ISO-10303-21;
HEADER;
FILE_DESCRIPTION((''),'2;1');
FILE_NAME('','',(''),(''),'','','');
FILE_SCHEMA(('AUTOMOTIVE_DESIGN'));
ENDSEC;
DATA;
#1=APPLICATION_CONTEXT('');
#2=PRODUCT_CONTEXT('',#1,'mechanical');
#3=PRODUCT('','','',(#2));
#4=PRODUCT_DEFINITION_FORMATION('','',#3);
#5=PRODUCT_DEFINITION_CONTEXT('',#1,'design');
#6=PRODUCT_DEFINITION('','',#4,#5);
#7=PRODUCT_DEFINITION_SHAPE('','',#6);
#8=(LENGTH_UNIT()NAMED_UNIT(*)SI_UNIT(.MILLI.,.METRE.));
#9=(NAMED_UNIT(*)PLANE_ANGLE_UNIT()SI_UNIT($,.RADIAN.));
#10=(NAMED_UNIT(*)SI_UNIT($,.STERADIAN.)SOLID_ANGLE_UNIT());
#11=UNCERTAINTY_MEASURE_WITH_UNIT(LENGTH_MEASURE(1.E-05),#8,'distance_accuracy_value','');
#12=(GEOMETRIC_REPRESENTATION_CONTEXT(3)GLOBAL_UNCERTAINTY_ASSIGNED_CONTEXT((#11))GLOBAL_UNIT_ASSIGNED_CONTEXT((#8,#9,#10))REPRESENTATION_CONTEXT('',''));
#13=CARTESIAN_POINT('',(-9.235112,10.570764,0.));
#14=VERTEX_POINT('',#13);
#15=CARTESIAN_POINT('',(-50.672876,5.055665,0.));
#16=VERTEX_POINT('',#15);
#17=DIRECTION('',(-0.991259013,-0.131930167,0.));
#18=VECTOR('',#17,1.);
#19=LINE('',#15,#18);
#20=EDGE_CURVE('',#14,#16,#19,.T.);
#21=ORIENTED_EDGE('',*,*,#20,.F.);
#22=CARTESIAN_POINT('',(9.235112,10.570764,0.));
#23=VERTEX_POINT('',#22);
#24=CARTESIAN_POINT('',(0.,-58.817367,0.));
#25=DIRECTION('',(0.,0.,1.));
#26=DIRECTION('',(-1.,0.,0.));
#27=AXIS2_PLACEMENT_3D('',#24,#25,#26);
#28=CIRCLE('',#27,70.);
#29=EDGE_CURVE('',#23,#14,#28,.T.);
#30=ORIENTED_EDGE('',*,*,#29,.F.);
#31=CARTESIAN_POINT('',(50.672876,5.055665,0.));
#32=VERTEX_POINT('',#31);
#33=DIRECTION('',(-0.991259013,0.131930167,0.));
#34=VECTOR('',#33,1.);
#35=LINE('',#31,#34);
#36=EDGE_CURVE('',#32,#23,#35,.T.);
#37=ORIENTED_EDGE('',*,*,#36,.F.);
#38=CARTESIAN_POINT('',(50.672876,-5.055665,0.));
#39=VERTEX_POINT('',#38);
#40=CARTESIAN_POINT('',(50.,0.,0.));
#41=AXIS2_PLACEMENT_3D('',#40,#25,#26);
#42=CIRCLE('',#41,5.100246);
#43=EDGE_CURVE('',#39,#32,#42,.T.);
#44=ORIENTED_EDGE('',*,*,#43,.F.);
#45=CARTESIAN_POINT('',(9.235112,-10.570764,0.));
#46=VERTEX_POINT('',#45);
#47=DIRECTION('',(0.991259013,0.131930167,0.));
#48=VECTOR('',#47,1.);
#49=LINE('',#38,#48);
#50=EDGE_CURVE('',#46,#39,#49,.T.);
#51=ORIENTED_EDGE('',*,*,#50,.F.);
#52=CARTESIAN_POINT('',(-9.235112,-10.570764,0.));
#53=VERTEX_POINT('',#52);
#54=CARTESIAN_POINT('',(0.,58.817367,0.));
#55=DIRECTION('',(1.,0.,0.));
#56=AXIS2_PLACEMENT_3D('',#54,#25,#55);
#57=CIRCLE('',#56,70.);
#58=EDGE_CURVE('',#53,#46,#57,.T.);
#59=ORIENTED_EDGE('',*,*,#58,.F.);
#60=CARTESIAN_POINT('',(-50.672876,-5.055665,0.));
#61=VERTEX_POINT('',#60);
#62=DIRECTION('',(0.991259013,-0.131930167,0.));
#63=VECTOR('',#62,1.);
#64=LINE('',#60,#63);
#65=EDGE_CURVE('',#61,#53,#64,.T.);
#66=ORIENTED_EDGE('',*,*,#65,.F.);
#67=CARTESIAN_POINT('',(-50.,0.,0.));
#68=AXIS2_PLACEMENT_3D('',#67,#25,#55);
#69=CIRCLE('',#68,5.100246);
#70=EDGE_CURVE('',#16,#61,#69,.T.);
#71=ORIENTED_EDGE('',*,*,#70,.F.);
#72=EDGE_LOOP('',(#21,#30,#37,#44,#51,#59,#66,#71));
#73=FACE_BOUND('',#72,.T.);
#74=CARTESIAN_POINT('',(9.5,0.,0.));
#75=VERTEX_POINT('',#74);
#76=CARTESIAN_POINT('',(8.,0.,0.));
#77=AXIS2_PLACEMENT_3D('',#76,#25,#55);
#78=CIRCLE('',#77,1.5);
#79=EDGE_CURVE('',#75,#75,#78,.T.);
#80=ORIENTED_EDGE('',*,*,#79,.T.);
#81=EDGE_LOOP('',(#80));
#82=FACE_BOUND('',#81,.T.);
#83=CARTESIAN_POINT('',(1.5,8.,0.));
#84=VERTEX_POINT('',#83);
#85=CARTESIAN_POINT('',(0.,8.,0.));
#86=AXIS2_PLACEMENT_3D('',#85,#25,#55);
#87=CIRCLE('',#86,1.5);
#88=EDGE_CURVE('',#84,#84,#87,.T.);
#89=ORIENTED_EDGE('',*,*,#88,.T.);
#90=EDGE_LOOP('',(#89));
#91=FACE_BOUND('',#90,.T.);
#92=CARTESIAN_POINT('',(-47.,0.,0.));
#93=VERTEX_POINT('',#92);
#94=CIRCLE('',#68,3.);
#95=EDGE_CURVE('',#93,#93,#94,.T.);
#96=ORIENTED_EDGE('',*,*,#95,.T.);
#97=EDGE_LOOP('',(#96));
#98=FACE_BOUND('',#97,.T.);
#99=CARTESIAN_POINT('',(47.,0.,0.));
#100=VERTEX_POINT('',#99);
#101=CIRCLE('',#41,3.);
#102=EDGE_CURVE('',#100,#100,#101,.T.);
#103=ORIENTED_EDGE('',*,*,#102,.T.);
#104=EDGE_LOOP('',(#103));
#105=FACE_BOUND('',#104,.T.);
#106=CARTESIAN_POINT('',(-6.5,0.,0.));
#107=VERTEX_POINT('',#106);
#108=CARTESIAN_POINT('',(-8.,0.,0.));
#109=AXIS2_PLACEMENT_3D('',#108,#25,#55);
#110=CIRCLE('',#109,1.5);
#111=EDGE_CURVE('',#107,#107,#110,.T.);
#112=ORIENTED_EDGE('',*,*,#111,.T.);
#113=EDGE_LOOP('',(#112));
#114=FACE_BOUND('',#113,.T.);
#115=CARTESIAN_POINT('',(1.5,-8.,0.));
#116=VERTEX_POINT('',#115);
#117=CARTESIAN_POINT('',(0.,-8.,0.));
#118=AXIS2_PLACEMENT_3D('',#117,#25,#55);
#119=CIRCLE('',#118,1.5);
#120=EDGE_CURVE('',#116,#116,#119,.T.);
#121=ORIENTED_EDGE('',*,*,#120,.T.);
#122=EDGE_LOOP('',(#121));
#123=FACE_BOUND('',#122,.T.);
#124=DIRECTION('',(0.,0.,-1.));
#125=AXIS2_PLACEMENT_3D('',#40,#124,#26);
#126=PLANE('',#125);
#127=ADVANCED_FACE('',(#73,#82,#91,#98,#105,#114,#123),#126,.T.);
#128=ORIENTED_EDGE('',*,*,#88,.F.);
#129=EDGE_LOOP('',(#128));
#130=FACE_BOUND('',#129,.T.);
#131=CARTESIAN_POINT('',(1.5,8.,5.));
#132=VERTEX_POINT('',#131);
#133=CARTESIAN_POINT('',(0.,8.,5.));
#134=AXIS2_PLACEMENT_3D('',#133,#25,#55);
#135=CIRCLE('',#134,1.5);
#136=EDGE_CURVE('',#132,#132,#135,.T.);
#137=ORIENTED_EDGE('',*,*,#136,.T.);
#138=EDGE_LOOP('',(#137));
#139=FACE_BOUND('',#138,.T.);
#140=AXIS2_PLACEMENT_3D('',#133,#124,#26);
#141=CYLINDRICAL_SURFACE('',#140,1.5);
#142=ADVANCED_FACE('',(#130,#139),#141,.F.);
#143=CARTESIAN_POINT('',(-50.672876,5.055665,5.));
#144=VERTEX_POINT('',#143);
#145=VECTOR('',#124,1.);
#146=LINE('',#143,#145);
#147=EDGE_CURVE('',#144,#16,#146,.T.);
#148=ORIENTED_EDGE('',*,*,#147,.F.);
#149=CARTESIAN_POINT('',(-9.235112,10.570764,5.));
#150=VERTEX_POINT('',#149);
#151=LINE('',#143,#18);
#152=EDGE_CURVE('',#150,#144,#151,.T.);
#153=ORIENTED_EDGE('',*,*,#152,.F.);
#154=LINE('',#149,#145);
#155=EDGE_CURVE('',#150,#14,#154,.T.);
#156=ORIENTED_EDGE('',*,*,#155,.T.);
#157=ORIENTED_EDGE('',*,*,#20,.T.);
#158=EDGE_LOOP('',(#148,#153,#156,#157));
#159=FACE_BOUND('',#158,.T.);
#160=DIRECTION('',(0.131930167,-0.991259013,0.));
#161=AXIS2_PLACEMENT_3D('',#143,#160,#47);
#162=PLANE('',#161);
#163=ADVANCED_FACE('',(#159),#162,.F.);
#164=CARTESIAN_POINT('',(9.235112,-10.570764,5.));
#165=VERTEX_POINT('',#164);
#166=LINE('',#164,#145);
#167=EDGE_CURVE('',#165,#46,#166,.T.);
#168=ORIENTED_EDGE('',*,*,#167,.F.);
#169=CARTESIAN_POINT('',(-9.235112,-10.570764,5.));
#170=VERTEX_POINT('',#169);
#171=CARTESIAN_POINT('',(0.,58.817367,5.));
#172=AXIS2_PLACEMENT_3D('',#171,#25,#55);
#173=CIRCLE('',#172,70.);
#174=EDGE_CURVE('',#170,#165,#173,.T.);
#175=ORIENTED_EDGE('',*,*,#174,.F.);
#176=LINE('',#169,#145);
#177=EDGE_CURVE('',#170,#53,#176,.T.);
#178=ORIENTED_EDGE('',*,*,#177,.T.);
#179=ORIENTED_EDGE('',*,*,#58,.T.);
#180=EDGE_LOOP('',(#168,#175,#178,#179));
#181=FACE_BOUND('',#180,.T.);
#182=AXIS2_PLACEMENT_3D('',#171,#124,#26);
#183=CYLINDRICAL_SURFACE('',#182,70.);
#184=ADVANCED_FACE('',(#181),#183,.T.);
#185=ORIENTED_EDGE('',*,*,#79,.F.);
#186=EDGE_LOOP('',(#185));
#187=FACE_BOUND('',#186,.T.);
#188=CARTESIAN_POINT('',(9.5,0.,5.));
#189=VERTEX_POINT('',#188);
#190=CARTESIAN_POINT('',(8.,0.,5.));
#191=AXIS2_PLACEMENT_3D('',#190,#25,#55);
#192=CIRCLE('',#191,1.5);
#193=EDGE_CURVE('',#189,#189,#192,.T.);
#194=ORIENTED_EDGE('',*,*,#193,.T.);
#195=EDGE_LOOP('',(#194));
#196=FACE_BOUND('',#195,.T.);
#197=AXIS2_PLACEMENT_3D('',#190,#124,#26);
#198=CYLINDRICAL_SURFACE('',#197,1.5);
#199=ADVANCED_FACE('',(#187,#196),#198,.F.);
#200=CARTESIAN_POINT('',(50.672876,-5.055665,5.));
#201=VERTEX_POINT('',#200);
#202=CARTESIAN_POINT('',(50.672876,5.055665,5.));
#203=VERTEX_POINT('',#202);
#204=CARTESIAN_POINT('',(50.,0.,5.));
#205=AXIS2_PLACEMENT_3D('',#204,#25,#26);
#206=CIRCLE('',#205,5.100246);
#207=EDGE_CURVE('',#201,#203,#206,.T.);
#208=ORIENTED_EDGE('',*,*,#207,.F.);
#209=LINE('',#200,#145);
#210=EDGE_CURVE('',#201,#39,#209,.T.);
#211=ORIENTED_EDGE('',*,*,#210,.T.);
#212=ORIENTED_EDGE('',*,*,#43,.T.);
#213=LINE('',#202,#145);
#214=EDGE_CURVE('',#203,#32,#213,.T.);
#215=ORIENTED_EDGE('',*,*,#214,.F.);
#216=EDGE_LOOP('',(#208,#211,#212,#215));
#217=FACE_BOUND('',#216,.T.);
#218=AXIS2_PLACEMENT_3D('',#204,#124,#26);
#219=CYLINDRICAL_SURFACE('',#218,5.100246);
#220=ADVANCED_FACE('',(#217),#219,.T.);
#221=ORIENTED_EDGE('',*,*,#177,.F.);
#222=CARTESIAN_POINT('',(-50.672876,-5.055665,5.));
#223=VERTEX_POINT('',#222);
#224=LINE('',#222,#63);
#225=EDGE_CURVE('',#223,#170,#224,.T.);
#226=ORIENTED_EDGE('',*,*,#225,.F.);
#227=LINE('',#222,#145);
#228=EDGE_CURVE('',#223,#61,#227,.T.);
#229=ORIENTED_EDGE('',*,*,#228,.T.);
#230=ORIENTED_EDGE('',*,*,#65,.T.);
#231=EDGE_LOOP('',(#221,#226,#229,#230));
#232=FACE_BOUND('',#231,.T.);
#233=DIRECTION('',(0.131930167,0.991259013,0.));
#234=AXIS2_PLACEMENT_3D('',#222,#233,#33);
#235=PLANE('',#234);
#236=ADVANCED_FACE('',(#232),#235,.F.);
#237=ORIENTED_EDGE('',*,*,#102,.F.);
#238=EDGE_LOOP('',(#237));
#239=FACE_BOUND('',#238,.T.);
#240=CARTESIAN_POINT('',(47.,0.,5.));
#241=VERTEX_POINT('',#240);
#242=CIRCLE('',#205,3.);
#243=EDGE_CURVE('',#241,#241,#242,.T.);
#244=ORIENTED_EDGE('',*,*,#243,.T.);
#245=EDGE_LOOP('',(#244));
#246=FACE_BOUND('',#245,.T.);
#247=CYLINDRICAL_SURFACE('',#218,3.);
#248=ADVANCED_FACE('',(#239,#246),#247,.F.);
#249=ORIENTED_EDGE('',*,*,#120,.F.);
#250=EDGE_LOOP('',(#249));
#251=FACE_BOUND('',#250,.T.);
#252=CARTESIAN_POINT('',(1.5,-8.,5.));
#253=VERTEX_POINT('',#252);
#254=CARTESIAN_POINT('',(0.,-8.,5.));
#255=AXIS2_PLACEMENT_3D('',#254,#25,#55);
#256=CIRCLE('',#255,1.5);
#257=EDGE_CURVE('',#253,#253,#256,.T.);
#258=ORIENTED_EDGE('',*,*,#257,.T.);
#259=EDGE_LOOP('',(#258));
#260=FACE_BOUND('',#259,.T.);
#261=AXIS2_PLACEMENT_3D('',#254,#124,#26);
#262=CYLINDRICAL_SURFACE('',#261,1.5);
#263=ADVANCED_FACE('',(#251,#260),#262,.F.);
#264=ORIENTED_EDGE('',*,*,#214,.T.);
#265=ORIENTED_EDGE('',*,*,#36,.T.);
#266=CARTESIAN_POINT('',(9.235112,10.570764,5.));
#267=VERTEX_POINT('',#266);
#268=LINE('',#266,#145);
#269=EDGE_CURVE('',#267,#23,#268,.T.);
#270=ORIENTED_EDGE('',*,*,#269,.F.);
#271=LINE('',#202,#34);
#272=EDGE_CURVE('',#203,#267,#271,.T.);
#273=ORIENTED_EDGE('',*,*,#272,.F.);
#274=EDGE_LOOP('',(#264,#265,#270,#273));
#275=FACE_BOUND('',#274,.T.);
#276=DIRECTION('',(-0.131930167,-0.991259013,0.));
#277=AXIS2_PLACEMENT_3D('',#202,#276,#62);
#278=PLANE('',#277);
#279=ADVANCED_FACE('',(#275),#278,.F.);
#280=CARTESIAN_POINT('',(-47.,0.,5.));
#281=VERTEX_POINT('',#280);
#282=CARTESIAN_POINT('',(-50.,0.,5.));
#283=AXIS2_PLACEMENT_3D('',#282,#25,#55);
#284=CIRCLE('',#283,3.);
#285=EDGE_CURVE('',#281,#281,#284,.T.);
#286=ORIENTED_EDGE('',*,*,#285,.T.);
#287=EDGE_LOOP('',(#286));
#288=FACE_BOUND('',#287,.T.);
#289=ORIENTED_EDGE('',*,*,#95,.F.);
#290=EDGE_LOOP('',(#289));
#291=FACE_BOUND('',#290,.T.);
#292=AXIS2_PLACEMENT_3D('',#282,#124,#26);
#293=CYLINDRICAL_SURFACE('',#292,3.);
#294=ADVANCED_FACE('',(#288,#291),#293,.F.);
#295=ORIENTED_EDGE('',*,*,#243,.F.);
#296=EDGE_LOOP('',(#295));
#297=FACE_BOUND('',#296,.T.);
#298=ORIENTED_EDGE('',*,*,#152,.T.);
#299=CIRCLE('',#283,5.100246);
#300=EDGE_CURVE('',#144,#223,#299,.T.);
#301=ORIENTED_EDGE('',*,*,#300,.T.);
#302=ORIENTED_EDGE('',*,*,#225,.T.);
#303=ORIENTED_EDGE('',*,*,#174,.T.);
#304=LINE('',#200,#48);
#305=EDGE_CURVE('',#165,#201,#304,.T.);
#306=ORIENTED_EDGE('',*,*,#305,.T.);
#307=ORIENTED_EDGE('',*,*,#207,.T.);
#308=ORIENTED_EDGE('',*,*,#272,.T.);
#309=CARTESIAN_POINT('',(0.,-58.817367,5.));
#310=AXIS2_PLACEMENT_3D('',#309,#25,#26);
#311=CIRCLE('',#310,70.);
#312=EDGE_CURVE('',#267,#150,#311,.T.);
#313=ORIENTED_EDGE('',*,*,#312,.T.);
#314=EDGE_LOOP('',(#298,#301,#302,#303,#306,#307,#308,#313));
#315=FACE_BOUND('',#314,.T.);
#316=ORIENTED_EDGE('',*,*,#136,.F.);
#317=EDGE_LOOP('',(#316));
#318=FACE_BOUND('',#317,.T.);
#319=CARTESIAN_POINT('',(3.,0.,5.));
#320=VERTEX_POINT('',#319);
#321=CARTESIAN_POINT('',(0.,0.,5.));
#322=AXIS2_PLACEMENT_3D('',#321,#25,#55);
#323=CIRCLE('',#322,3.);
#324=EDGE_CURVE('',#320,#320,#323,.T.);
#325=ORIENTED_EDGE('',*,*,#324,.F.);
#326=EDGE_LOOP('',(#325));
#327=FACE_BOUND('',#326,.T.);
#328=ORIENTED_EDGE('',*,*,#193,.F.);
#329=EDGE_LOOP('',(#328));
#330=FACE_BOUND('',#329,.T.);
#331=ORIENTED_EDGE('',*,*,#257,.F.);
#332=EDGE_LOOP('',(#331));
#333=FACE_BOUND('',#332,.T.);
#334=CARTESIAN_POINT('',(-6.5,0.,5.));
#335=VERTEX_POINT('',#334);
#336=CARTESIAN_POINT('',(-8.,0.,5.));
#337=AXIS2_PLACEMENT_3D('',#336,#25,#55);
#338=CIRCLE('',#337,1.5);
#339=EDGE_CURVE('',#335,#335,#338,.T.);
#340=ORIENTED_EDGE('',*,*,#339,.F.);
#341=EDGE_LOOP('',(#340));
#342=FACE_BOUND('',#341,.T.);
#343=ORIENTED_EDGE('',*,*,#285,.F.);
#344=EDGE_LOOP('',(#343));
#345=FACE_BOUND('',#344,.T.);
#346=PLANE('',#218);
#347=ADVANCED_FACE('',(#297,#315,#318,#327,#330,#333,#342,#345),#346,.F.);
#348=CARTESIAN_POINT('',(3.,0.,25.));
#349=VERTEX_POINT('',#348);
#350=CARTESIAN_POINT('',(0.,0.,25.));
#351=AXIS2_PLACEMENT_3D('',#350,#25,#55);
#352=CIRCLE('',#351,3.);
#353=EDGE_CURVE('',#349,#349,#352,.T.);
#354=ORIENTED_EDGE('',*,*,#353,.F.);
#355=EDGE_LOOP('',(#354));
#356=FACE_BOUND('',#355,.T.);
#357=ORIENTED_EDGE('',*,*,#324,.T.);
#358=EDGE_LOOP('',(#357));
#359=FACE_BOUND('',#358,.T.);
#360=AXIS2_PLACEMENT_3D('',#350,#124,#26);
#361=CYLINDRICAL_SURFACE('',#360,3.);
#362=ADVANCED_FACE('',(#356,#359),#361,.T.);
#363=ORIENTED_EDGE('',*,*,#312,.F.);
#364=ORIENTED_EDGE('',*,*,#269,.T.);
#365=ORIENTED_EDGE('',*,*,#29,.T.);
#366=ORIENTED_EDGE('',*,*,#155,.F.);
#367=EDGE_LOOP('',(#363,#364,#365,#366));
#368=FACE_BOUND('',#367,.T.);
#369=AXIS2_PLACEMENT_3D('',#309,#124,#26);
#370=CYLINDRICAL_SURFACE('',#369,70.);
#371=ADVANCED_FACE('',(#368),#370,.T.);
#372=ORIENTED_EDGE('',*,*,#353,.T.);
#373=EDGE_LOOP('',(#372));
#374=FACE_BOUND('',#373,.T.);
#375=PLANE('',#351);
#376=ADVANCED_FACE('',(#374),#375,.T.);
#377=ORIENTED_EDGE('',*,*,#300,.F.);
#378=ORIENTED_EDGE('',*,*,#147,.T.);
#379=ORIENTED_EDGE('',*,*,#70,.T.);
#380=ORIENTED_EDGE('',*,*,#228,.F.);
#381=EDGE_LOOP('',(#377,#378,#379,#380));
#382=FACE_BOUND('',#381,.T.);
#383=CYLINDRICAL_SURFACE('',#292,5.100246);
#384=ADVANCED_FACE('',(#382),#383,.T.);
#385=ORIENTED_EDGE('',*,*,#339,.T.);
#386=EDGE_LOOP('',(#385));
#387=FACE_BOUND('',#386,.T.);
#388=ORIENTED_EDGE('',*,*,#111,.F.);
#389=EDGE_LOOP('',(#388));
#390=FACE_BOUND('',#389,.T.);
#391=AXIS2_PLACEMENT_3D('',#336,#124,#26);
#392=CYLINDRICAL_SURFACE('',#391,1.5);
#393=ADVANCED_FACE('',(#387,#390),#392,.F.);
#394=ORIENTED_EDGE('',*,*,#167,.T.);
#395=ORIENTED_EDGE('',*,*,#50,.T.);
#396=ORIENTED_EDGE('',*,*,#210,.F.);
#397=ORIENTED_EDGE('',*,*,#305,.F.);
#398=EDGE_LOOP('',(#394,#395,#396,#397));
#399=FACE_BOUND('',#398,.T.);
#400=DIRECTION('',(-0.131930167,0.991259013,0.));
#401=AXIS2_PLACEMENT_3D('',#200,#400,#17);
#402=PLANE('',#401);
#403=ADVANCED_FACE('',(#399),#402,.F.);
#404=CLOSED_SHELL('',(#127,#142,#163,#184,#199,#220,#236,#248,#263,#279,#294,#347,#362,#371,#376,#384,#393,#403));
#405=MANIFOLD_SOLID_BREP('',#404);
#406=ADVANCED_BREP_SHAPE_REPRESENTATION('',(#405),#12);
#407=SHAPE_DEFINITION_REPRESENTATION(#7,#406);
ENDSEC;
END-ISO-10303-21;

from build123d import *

# Parameters (mm, degrees)
SZKIC1_R                    = 3
SZKIC1_R_2                  = 1.5
DODANIE_WYCI_GNI_CIE1_DEPTH = 5
SZKIC1_2_R                  = 3
DODANIE_WYCI_GNI_CIE2_DEPTH = 25


with BuildPart() as part:
    # Szkic1 → Dodanie-wyci_gni_cie1 (new body)
    with BuildSketch(Plane.XY):
        with BuildLine():
            Line((-50.67287635, 5.055665151), (-9.235111676, 10.570763761))
            ThreePointArc((-9.235111676, 10.570763761), (0, 11.182632843), (9.235111676, 10.570763761))
            Line((9.235111676, 10.570763761), (50.67287635, 5.055665151))
            ThreePointArc((50.67287635, 5.055665151), (55.100246338, 0), (50.67287635, -5.055665151))
            Line((50.67287635, -5.055665151), (9.235111676, -10.570763761))
            ThreePointArc((9.235111676, -10.570763761), (0, -11.182632843), (-9.235111676, -10.570763761))
            Line((-9.235111676, -10.570763761), (-50.67287635, -5.055665151))
            ThreePointArc((-50.67287635, -5.055665151), (-55.100246338, 0), (-50.67287635, 5.055665151))
        make_face()
        Circle(SZKIC1_R, mode=Mode.SUBTRACT)
        with Locations((0, 8)):
            Circle(SZKIC1_R_2, mode=Mode.SUBTRACT)
        with Locations((-8, 0)):
            Circle(SZKIC1_R_2, mode=Mode.SUBTRACT)
        with Locations((8, 0)):
            Circle(SZKIC1_R_2, mode=Mode.SUBTRACT)
        with Locations((0, -8)):
            Circle(SZKIC1_R_2, mode=Mode.SUBTRACT)
        with Locations((-50, 0)):
            Circle(SZKIC1_R, mode=Mode.SUBTRACT)
        with Locations((50, 0)):
            Circle(SZKIC1_R, mode=Mode.SUBTRACT)
    extrude(amount=DODANIE_WYCI_GNI_CIE1_DEPTH)

    # Szkic1_2 → Dodanie-wyci_gni_cie2 (add)
    with BuildSketch(Plane.XY):
        Circle(SZKIC1_2_R)
    extrude(amount=DODANIE_WYCI_GNI_CIE2_DEPTH)


solid = part.part
